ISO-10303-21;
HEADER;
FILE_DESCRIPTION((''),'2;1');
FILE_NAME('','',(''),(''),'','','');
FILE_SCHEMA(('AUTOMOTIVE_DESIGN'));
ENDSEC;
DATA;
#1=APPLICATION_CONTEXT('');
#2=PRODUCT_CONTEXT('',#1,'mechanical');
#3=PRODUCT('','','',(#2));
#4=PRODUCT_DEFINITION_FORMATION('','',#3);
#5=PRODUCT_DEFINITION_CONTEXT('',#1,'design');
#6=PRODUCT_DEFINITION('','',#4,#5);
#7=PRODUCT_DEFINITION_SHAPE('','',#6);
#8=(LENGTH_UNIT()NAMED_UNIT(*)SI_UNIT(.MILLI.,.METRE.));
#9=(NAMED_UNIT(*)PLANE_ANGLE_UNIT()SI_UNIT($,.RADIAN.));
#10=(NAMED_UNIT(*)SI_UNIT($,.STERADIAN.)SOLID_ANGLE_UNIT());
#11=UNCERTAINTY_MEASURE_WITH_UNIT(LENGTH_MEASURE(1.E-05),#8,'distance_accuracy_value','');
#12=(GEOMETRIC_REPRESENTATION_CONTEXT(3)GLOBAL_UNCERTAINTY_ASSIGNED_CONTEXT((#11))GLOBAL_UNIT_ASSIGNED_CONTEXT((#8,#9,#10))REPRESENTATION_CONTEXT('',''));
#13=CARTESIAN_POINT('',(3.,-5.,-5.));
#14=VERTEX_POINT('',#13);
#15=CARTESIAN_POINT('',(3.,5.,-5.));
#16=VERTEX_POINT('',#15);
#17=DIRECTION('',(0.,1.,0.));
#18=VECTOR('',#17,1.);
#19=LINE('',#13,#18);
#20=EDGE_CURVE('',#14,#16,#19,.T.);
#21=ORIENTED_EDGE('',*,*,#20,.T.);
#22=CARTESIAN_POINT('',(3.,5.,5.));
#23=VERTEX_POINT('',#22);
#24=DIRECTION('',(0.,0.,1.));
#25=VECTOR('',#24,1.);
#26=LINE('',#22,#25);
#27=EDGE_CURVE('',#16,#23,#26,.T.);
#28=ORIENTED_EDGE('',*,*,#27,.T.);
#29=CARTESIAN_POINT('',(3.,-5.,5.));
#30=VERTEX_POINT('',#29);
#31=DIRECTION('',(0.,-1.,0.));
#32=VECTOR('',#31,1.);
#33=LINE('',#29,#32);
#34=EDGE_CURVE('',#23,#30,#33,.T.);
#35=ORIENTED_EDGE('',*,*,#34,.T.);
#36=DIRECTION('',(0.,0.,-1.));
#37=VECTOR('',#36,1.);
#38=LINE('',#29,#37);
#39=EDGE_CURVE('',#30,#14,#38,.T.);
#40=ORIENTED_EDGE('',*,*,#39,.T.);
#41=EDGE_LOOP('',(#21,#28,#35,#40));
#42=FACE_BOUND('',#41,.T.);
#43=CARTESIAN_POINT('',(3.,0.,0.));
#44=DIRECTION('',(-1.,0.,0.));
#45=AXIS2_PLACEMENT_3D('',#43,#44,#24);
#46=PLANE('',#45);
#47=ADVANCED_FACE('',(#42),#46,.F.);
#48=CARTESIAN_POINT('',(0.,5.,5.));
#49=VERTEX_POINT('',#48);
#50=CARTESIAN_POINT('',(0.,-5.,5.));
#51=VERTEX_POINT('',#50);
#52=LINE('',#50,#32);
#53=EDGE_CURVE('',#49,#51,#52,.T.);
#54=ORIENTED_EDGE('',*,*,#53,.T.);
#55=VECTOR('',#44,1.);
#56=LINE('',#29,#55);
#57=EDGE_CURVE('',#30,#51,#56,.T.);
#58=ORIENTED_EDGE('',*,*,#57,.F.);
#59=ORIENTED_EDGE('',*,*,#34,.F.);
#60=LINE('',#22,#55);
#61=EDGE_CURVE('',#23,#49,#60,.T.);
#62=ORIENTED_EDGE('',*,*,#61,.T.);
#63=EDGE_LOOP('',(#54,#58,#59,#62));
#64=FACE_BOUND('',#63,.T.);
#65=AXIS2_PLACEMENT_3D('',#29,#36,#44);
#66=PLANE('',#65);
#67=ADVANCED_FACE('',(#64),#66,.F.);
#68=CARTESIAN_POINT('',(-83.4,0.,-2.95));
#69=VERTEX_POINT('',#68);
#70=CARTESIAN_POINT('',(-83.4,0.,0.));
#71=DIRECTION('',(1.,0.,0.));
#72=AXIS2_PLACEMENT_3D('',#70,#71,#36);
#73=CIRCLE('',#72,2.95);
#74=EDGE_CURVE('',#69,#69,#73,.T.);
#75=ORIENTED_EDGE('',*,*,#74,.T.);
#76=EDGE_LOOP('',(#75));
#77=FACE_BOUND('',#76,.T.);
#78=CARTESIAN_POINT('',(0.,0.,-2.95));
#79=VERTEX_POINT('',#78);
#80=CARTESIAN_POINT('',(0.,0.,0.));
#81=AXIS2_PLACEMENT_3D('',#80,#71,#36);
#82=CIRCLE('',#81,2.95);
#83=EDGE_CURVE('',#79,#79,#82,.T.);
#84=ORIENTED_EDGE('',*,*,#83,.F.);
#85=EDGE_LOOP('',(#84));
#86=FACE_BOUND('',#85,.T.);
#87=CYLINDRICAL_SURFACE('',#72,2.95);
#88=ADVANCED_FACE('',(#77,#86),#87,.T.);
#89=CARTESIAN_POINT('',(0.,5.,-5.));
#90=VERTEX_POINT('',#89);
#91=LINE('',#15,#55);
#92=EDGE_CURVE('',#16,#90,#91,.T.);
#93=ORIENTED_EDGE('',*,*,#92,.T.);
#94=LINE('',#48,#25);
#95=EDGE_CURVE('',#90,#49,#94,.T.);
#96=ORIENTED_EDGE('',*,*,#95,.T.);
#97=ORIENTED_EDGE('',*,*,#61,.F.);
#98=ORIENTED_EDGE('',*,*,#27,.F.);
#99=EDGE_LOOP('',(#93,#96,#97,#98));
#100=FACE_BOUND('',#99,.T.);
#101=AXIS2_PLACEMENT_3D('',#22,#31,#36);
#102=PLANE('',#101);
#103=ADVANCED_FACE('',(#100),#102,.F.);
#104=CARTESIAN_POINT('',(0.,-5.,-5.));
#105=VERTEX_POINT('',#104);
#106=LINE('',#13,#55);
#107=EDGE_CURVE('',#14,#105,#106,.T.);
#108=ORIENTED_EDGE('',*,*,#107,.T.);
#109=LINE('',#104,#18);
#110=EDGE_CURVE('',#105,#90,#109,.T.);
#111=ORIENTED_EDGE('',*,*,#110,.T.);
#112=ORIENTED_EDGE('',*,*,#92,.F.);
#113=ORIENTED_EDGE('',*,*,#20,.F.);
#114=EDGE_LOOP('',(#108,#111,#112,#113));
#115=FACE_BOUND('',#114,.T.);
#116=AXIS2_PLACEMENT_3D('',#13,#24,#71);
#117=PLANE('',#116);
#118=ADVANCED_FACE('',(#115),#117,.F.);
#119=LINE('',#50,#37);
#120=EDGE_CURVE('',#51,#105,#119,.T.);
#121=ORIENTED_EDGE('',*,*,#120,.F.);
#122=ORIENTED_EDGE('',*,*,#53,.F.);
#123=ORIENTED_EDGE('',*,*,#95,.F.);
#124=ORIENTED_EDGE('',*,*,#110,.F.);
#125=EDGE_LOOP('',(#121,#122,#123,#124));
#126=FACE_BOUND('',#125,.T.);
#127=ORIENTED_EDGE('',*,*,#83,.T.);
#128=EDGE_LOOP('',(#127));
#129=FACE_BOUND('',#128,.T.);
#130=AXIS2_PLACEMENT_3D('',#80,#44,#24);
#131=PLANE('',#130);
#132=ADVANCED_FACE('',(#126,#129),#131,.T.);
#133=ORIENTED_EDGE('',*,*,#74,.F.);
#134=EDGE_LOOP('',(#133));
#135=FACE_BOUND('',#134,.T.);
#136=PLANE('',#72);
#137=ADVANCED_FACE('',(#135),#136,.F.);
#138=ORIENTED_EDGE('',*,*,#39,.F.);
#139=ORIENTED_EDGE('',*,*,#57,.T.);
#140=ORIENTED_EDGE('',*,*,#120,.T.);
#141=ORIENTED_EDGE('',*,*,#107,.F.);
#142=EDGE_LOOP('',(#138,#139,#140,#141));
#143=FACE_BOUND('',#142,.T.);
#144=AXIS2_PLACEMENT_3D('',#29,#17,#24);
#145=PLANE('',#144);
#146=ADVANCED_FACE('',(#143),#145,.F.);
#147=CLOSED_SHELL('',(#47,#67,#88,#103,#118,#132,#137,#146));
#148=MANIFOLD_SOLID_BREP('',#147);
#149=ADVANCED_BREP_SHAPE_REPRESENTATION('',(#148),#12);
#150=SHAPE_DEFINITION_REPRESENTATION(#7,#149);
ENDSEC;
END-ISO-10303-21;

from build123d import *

# Parameters (mm, degrees)
SKETCH3_R           = 2.95
BOSS_EXTRUDE1_DEPTH = 83.4
SKETCH4_W           = 10
SKETCH4_H           = 10
BOSS_EXTRUDE2_DEPTH = 3


with BuildPart() as part:
    # Sketch3 → Boss-Extrude1 (new body)
    with BuildSketch(Plane(origin=(0, 0, 0), x_dir=(0, 0, -1), z_dir=(1, 0, 0))):
        Circle(SKETCH3_R)
    extrude(amount=-BOSS_EXTRUDE1_DEPTH)

    # Sketch4 → Boss-Extrude2 (add)
    with BuildSketch(Plane(origin=(0, 0, 0), x_dir=(0, 0, -1), z_dir=(1, 0, 0))):
        Rectangle(SKETCH4_W, SKETCH4_H)
    extrude(amount=BOSS_EXTRUDE2_DEPTH)


solid = part.part
